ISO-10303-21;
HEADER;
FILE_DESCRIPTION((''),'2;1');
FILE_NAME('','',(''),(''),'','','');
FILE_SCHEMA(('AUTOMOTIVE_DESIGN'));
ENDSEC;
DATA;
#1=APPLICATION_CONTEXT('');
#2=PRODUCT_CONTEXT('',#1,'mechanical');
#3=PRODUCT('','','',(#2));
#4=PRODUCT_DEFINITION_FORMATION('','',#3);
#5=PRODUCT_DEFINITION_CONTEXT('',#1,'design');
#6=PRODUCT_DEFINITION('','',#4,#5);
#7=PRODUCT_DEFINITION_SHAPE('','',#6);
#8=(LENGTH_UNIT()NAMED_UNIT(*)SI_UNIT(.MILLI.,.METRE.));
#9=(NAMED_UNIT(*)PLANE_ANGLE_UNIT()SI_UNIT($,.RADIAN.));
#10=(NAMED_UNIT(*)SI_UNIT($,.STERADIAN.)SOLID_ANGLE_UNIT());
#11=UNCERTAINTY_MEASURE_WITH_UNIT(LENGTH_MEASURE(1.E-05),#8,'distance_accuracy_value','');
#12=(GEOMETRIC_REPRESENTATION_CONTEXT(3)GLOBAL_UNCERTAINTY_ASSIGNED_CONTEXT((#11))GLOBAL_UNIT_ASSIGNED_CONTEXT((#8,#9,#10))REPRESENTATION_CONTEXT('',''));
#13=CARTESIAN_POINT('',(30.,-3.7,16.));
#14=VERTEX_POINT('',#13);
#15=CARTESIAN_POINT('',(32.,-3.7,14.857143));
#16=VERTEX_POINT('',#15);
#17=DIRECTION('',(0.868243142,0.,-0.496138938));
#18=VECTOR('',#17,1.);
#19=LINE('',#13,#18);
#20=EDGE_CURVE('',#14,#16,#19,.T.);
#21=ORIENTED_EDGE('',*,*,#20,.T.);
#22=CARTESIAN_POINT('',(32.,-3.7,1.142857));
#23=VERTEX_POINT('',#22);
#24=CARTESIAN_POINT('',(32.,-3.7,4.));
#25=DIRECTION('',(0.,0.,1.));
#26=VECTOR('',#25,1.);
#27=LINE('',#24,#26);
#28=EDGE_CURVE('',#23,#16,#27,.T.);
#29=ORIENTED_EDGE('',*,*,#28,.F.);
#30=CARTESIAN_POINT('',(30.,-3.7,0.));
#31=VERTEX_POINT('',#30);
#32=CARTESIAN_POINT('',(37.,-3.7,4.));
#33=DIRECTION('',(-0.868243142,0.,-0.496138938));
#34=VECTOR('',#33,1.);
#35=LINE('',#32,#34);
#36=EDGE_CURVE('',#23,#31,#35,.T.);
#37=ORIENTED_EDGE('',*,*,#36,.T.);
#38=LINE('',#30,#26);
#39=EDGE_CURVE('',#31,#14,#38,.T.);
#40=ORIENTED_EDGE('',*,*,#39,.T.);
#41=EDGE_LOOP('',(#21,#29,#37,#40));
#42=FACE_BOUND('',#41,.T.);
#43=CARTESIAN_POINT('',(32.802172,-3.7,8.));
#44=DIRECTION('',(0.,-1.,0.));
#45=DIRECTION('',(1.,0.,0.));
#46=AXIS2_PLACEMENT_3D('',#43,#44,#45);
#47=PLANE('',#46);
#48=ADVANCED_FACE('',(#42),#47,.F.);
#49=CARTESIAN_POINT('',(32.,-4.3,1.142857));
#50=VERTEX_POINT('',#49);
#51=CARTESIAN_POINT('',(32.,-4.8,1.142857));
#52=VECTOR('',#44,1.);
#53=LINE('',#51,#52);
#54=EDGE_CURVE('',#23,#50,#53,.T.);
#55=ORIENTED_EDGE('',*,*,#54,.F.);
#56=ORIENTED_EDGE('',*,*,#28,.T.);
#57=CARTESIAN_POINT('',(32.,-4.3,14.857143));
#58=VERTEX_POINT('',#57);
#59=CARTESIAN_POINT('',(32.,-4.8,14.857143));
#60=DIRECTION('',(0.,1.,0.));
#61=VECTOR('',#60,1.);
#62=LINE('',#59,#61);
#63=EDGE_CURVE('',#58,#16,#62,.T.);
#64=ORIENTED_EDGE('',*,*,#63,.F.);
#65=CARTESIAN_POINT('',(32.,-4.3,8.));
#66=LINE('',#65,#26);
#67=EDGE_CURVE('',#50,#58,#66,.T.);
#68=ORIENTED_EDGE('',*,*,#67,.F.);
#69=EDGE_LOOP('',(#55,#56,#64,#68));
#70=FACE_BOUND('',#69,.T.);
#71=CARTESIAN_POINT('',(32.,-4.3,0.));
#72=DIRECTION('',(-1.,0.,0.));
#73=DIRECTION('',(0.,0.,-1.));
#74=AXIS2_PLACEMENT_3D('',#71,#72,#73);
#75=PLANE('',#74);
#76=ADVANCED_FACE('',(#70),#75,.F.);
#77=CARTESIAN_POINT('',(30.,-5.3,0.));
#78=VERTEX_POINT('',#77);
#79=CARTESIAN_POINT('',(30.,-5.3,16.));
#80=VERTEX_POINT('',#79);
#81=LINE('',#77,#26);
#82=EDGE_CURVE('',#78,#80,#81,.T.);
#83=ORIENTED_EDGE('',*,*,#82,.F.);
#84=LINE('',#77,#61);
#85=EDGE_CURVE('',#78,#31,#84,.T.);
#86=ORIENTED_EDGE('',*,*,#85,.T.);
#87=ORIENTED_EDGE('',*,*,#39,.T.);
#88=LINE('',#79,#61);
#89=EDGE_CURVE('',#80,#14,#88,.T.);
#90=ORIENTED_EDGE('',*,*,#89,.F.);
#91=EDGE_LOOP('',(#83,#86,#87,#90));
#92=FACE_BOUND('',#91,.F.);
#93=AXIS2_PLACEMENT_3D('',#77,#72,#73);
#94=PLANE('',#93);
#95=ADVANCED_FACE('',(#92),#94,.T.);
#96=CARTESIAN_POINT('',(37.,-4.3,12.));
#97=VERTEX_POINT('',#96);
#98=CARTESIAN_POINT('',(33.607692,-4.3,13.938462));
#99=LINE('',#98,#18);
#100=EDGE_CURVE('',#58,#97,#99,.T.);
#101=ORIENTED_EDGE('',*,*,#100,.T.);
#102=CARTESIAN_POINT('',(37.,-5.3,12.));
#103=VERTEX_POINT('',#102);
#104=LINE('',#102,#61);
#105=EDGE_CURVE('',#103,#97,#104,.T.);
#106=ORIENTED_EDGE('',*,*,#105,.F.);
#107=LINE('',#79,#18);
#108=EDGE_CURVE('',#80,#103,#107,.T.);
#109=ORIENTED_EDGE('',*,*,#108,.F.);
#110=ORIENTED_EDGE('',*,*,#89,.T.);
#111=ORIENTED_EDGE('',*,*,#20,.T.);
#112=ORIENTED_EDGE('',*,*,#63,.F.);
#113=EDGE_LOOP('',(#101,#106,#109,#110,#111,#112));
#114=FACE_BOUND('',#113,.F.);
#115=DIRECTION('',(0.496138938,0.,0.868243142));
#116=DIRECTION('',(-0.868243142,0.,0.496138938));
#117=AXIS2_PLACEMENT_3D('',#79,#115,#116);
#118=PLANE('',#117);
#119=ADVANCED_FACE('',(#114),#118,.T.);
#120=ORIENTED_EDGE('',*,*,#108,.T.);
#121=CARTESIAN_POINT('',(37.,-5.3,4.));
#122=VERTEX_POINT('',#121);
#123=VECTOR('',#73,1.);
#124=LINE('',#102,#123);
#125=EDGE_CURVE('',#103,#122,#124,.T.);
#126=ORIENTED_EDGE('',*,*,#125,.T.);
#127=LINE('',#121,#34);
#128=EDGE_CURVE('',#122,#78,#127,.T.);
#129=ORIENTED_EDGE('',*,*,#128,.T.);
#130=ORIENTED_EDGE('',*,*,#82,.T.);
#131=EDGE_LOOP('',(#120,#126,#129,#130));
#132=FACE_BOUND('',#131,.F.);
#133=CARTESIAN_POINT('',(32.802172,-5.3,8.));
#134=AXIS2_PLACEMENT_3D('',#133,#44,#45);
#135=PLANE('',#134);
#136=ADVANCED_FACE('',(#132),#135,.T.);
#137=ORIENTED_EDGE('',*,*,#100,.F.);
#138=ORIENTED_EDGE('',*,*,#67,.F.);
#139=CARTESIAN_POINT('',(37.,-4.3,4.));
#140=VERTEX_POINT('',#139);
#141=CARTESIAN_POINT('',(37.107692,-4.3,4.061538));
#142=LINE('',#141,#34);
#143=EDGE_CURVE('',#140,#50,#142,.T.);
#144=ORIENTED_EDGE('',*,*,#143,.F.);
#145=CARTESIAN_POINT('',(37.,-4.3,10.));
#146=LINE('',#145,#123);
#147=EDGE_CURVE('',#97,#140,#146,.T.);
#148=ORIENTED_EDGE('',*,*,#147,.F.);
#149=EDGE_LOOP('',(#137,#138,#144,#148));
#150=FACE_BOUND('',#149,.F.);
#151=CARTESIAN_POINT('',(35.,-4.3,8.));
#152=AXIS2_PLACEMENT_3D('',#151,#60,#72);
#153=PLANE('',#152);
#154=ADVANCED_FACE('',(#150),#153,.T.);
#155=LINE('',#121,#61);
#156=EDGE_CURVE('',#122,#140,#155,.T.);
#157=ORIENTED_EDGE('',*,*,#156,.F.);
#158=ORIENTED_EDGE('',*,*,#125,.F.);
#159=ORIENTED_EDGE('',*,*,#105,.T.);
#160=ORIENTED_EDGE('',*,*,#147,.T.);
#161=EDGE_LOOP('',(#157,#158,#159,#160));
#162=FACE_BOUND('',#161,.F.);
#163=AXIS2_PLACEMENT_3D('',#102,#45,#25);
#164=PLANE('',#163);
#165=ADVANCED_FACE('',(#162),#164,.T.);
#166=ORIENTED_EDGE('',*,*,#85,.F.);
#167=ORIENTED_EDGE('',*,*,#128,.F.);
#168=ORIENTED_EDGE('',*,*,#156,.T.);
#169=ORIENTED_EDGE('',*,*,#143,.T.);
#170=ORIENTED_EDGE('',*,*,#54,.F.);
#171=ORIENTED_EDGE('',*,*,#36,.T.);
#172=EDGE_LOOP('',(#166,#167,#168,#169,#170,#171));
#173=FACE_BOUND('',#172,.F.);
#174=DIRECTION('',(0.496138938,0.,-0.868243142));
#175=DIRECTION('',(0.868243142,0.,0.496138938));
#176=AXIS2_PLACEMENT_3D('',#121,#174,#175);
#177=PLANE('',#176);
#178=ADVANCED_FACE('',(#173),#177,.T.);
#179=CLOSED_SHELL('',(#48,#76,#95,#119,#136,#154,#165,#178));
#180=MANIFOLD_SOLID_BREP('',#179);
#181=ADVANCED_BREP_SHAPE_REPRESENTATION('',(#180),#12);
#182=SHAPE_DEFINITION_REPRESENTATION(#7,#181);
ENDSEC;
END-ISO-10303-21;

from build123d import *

# Parameters (mm, degrees)
SKETCH055_W      = 6
SKETCH055_H      = 16
EXTRUDE052_DEPTH = 1.6
EXTRUDE057_DEPTH = 1.6


with BuildPart() as extrude052:
    # Sketch055 → Extrude052 (new body)
    with BuildSketch(Plane.XZ.offset(-4.3)):
        with Locations((35, 12)):
            Rectangle(SKETCH055_W, SKETCH055_H)
    extrude(amount=EXTRUDE052_DEPTH)


with BuildPart() as switch_protector002:
    # Sketch054 → Extrude057 (new body)
    with BuildSketch(Plane.XZ.offset(-5.3)):
        Polygon((37, 16), (37, 8), (30, 4), (30, 20), align=None)
    extrude(amount=EXTRUDE057_DEPTH)

    # Cut029: cut Extrude052
    add(extrude052.part, mode=Mode.SUBTRACT)


with BuildPart() as switch_protector002_1:
    # Cut029 placement: moved
    add(switch_protector002.part.moved(Location((0, 0, -4))))


with BuildPart() as part_mirroring005:
    # Part__Mirroring005: instance of switch protector002
    add(switch_protector002_1.part.mirror(Plane(origin=(0, 0, 0), x_dir=(1, 0, 0), z_dir=(0, 1, 0))))


solid = part_mirroring005.part
